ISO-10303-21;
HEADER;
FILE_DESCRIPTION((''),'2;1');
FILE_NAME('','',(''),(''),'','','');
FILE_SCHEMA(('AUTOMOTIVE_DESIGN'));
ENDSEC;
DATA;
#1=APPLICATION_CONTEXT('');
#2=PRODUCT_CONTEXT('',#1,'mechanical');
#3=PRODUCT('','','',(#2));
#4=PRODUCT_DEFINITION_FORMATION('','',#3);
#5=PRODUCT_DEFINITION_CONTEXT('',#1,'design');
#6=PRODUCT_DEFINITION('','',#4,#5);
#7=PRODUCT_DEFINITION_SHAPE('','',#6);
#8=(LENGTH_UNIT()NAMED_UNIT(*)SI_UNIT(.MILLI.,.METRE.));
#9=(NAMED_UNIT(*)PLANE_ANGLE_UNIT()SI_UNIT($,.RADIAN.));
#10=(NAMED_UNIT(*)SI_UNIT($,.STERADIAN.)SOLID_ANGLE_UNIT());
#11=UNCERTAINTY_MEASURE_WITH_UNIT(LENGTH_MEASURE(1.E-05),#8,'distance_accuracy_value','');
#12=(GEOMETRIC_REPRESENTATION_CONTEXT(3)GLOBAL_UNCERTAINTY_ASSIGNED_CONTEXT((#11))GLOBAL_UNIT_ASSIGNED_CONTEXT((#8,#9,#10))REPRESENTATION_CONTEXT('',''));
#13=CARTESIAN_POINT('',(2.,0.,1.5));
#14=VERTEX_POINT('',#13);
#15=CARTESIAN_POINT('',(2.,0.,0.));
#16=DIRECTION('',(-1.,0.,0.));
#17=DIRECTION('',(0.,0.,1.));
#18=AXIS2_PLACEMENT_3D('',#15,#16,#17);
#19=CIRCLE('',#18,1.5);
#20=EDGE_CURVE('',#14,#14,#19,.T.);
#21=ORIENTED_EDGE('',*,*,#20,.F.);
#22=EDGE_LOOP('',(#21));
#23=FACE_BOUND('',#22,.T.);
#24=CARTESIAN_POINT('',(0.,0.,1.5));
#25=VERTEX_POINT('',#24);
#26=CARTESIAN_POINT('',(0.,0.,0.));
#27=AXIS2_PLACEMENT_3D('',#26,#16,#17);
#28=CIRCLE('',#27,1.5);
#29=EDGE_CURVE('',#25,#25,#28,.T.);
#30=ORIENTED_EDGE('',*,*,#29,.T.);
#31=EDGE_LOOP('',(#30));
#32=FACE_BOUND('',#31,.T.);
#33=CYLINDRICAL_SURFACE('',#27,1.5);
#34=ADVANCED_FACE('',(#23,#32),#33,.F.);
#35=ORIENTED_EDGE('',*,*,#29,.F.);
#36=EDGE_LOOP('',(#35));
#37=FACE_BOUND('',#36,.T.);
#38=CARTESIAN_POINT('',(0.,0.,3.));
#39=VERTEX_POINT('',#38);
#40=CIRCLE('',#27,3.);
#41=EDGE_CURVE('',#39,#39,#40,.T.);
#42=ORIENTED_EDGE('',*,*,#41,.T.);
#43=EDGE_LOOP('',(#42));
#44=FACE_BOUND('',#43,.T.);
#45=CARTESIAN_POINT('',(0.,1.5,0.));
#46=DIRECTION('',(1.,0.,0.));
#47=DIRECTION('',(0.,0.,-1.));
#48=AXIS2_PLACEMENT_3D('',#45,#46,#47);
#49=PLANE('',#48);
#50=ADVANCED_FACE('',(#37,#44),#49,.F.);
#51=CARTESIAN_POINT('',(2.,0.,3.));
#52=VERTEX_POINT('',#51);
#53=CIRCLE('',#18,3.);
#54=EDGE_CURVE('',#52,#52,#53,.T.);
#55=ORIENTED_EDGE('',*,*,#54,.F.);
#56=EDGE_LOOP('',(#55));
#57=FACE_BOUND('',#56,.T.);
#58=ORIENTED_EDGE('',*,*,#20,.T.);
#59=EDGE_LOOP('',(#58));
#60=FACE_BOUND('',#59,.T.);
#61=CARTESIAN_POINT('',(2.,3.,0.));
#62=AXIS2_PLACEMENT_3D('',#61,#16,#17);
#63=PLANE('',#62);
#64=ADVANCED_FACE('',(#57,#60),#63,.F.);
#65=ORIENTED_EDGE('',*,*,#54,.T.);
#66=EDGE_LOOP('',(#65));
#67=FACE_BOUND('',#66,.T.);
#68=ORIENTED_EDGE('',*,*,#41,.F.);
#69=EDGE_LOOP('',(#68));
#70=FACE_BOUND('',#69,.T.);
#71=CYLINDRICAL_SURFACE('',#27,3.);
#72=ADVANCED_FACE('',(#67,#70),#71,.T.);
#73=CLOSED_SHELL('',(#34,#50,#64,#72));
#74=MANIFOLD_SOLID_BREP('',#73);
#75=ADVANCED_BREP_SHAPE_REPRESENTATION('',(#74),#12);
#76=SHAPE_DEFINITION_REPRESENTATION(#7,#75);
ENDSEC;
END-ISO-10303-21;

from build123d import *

# Parameters (mm, degrees)
SKETCH3_W = 2
SKETCH3_H = 1.5


with BuildPart() as part:
    # Sketch3 → Revolve1 (revolve)
    with BuildSketch(Plane.XY):
        with Locations((1, 2.25)):
            Rectangle(SKETCH3_W, SKETCH3_H)
    revolve(axis=Axis((0, 0, 0), (1, 0, 0)))


solid = part.part
